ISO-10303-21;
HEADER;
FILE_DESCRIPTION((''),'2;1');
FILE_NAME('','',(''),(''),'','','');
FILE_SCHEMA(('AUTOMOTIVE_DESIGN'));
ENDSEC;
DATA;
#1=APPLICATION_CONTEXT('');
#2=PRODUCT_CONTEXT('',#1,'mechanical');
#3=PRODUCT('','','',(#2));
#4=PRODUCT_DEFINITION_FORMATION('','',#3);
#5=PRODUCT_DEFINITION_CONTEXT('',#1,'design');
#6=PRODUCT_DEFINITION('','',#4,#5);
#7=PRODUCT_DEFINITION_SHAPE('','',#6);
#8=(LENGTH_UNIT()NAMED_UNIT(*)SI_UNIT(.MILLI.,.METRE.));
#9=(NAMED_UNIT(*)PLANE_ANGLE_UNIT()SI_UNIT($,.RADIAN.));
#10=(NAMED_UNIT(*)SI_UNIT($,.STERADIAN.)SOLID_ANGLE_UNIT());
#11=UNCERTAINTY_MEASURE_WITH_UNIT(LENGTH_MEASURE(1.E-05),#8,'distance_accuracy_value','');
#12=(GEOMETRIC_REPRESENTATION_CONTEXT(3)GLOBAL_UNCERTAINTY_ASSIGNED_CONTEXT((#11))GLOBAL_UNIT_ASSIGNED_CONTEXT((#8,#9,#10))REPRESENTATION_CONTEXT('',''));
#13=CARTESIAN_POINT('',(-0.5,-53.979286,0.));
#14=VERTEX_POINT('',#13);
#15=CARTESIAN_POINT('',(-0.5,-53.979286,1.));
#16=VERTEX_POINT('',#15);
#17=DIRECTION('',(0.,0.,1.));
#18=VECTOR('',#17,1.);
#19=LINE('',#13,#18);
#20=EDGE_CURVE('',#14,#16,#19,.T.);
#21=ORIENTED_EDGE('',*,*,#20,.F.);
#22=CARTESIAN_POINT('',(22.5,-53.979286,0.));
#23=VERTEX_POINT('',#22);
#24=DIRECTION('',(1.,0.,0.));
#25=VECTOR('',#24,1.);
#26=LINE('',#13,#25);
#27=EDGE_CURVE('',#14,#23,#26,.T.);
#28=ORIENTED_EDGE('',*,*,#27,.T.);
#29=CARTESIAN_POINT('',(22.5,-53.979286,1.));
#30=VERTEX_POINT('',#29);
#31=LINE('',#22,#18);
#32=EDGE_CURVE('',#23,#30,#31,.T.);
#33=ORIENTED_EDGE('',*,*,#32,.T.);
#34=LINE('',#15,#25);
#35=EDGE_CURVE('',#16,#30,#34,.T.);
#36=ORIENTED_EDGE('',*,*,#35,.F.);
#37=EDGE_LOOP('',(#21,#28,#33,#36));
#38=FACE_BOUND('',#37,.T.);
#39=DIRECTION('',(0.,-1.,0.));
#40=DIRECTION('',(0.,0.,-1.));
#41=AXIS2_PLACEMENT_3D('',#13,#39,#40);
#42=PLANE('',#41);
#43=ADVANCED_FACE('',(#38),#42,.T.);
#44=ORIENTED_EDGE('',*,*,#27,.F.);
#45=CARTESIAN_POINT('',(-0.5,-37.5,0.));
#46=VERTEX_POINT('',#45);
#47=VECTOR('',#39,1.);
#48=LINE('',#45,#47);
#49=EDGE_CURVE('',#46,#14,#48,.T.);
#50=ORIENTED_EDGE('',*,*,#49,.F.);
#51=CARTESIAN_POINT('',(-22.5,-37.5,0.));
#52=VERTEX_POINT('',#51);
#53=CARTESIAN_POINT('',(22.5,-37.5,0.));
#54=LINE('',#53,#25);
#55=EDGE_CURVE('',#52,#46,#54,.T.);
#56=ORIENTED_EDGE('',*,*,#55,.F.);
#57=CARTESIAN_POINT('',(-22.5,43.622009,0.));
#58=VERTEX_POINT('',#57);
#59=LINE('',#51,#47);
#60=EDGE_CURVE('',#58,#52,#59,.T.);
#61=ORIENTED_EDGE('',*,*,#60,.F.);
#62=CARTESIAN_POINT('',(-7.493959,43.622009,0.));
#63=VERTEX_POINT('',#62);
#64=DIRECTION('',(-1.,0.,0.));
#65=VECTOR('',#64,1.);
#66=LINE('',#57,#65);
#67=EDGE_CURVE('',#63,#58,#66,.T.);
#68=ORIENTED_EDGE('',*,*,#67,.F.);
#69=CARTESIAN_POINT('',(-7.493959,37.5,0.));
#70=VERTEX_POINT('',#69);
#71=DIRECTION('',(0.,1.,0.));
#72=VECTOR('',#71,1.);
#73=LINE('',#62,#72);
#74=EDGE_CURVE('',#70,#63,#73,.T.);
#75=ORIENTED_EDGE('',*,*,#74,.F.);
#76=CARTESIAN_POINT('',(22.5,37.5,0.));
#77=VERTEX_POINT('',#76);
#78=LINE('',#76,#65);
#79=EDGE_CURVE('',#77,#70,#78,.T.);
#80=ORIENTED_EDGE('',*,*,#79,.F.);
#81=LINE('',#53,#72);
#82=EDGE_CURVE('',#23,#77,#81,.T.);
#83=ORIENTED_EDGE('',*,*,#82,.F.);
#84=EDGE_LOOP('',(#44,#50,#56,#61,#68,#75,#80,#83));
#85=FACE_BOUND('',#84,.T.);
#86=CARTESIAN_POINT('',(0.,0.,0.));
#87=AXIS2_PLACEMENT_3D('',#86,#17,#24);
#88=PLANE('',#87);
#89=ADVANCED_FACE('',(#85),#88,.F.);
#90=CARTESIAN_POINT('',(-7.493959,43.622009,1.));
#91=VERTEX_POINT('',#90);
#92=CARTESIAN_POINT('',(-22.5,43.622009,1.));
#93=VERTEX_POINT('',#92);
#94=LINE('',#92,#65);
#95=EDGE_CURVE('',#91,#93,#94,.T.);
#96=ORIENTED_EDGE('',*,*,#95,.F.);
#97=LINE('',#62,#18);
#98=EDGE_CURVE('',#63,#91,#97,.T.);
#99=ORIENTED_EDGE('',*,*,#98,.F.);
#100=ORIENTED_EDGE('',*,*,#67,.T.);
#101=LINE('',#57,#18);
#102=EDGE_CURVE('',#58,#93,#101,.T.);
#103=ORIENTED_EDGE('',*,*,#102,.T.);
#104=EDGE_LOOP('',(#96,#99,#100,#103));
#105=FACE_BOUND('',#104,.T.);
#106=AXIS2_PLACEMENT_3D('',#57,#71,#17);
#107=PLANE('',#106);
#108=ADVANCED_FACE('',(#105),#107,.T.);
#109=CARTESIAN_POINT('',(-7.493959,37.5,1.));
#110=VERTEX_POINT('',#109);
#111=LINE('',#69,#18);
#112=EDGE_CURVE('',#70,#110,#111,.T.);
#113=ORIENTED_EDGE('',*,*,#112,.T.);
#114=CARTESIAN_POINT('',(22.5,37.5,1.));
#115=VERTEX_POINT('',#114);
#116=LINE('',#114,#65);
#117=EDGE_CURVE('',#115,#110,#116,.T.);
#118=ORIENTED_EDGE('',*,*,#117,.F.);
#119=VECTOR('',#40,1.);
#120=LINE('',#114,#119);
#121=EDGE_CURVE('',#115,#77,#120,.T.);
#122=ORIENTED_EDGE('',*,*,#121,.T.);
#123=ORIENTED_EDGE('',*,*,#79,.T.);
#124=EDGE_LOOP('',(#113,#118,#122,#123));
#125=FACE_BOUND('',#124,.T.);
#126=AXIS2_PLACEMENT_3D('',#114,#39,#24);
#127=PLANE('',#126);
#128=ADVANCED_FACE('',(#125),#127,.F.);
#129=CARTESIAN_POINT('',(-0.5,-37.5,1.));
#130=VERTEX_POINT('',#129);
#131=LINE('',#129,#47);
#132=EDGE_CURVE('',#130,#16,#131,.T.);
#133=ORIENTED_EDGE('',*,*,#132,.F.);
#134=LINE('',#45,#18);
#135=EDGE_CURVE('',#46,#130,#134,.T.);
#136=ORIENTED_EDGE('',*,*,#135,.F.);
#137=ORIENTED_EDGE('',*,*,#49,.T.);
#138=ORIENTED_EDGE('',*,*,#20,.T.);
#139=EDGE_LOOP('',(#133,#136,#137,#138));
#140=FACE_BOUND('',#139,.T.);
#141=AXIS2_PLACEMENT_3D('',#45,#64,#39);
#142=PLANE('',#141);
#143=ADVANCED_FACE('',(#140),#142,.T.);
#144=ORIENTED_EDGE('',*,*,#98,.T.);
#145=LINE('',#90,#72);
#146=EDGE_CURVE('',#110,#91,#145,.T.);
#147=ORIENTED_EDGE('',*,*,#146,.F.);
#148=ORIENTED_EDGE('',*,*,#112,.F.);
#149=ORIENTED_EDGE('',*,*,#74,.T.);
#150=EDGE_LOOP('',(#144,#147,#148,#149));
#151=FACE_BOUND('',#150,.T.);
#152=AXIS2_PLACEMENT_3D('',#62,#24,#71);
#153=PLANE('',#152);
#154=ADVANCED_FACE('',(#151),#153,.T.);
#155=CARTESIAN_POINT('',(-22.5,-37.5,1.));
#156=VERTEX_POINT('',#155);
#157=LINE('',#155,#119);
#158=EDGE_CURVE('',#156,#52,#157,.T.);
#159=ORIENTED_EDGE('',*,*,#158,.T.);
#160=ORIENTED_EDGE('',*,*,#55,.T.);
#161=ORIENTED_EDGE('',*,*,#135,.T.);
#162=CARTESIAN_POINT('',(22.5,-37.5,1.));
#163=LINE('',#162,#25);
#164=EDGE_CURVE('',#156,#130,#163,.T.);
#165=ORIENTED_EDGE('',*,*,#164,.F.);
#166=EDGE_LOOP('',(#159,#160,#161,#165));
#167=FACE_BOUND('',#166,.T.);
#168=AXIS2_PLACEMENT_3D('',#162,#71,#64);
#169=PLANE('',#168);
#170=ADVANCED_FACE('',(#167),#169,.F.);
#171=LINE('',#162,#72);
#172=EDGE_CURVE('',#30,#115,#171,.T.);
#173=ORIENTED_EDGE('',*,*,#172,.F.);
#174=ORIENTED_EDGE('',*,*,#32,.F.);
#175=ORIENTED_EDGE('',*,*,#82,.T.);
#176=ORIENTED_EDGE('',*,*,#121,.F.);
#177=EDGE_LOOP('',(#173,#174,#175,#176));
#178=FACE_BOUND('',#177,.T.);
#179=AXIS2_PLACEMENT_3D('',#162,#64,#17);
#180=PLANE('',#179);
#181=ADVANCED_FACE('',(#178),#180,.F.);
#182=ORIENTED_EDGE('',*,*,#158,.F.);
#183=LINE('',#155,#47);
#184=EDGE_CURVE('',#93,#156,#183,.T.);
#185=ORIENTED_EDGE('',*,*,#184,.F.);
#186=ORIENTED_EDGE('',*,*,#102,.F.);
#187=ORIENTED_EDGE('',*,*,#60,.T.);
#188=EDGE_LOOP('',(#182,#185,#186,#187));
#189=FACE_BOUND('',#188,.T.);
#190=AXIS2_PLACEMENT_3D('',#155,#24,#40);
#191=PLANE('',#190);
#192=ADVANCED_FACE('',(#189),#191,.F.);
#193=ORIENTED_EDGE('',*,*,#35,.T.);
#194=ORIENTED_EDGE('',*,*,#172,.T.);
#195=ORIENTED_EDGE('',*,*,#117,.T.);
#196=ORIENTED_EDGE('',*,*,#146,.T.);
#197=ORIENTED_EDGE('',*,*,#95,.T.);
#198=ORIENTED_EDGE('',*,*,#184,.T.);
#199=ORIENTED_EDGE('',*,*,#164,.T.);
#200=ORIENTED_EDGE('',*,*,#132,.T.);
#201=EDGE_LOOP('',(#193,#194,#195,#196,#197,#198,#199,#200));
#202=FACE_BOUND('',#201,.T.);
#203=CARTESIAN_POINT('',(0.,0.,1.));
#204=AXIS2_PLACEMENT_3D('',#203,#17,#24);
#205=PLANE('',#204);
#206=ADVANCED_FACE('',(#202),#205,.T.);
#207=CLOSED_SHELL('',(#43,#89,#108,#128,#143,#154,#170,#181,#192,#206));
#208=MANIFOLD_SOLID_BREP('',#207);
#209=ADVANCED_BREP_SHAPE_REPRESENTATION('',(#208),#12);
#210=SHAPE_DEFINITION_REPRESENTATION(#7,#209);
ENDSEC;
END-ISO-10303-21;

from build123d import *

# Parameters (mm, degrees)
SKETCH1_W           = 45
SKETCH1_H           = 75
BOSS_EXTRUDE1_DEPTH = 1
SKETCH2_W           = 23
SKETCH2_H           = 16.479286024
BOSS_EXTRUDE2_DEPTH = 1
SKETCH3_W           = 15.006040788
SKETCH3_H           = 6.122008564
BOSS_EXTRUDE3_DEPTH = 1


with BuildPart() as part:
    # Sketch1 → Boss-Extrude1 (new body)
    with BuildSketch(Plane.XY):
        Rectangle(SKETCH1_W, SKETCH1_H)
    extrude(amount=BOSS_EXTRUDE1_DEPTH)

    # Sketch2 → Boss-Extrude2 (add)
    with BuildSketch(Plane.XY.offset(1)):
        with Locations((11, -45.739643012)):
            Rectangle(SKETCH2_W, SKETCH2_H)
    extrude(amount=-BOSS_EXTRUDE2_DEPTH)

    # Sketch3 → Boss-Extrude3 (add)
    with BuildSketch(Plane.XY.offset(1)):
        with Locations((-14.996979606, 40.561004282)):
            Rectangle(SKETCH3_W, SKETCH3_H)
    extrude(amount=-BOSS_EXTRUDE3_DEPTH)


solid = part.part
